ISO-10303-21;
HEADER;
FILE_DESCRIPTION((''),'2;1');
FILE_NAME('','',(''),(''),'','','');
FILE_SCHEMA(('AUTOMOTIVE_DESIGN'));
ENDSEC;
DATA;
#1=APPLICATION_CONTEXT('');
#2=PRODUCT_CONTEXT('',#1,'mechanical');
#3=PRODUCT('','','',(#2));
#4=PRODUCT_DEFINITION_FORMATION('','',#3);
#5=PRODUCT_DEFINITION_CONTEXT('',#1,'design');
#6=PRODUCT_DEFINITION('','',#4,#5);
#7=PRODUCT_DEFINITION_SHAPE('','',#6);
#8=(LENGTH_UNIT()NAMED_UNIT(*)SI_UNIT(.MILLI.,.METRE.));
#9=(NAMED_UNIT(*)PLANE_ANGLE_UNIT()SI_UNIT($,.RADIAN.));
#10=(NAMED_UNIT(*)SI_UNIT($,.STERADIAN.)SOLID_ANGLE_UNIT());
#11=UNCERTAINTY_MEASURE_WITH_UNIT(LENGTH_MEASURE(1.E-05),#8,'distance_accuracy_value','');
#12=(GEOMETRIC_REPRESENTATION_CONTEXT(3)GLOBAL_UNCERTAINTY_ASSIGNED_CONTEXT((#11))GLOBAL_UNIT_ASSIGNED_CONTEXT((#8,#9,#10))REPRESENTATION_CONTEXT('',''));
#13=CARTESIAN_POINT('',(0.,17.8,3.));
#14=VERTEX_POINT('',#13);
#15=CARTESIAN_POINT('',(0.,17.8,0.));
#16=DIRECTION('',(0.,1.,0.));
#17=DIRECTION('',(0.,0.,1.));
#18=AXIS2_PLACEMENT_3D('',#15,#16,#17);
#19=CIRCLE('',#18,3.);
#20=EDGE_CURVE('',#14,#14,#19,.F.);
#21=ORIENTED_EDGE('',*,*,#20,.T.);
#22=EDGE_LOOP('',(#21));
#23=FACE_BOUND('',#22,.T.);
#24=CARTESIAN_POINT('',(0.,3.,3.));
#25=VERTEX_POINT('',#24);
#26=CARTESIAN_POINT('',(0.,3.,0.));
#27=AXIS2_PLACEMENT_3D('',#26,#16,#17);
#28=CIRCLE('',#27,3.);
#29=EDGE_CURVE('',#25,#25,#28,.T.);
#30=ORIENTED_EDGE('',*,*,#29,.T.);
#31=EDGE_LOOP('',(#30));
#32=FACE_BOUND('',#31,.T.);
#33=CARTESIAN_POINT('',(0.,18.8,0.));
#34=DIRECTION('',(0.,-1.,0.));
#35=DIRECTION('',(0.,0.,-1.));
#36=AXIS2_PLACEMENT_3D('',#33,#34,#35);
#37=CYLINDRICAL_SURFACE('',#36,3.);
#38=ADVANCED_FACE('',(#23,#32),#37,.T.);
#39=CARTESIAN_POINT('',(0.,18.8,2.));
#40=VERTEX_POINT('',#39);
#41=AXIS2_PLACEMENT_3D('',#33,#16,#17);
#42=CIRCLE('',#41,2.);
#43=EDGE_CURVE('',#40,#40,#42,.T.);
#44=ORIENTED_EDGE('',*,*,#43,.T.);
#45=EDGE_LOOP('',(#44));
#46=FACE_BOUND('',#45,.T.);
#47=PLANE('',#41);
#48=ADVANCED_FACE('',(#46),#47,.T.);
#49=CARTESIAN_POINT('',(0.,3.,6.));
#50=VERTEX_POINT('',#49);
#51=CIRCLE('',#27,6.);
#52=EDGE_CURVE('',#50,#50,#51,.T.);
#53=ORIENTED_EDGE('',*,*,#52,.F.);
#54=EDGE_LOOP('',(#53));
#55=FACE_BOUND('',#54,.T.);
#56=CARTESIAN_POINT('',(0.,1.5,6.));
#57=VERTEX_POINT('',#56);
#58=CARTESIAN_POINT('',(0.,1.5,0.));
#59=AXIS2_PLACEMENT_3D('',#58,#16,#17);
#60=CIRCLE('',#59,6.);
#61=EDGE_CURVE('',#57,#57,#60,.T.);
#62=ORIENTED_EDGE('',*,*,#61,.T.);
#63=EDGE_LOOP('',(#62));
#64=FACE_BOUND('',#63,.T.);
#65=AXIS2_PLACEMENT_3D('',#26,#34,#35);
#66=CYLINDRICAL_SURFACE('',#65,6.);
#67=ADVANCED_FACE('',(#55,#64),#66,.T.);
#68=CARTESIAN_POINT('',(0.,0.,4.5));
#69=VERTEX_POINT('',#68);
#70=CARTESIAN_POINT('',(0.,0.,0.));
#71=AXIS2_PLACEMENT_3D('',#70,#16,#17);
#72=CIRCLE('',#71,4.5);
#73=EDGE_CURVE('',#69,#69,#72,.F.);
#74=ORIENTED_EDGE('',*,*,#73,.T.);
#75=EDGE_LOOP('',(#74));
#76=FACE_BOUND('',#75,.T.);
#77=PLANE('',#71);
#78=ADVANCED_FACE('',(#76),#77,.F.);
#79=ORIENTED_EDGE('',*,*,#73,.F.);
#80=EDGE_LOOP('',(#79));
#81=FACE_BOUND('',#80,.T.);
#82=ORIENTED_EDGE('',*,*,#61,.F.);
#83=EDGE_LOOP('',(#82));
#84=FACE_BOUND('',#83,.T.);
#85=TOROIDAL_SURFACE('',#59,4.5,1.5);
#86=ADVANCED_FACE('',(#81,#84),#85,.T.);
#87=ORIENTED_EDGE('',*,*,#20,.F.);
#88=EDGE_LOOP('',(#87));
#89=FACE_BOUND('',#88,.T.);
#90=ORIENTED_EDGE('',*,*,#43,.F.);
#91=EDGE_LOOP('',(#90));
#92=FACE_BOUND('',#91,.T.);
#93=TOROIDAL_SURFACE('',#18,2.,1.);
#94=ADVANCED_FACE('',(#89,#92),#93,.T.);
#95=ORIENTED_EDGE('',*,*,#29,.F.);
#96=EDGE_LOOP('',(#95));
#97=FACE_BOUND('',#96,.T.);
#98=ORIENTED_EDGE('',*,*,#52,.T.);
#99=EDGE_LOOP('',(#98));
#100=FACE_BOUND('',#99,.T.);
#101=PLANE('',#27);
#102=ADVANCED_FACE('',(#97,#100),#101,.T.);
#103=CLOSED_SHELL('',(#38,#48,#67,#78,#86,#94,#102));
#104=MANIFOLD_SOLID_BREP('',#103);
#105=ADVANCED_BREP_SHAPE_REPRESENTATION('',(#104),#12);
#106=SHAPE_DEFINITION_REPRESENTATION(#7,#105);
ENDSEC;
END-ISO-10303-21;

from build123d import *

# Parameters (mm, degrees)
SKETCH_1_R      = 6
EXTRUDE_1_DEPTH = 3
SKETCH_2_R      = 3
EXTRUDE_2_DEPTH = 15.8
FILLET_1_R      = 1
FILLET_2_R      = 1.5


with BuildPart() as part:
    # ｽｹｯﾁ1 → ﾎﾞｽ - 押し出し1 (new body)
    with BuildSketch(Plane(origin=(0, 0, 0), x_dir=(1, 0, 0), z_dir=(0, 1, 0))):
        Circle(SKETCH_1_R)
    extrude(amount=EXTRUDE_1_DEPTH)

    # ｽｹｯﾁ2 → ﾎﾞｽ - 押し出し2 (add)
    with BuildSketch(Plane(origin=(0, 3, 0), x_dir=(1, 0, 0), z_dir=(0, 1, 0))):
        Circle(SKETCH_2_R)
    extrude(amount=EXTRUDE_2_DEPTH)

    # ﾌｨﾚｯﾄ1
    fillet_1_edges = [part.edges().sort_by_distance(p)[0] for p in [
        (-3, 18.8, 0),
    ]]
    fillet(fillet_1_edges, radius=FILLET_1_R)

    # ﾌｨﾚｯﾄ2
    fillet_2_edges = [part.edges().sort_by_distance(p)[0] for p in [
        (-6, 0, 0),
    ]]
    fillet(fillet_2_edges, radius=FILLET_2_R)


solid = part.part
